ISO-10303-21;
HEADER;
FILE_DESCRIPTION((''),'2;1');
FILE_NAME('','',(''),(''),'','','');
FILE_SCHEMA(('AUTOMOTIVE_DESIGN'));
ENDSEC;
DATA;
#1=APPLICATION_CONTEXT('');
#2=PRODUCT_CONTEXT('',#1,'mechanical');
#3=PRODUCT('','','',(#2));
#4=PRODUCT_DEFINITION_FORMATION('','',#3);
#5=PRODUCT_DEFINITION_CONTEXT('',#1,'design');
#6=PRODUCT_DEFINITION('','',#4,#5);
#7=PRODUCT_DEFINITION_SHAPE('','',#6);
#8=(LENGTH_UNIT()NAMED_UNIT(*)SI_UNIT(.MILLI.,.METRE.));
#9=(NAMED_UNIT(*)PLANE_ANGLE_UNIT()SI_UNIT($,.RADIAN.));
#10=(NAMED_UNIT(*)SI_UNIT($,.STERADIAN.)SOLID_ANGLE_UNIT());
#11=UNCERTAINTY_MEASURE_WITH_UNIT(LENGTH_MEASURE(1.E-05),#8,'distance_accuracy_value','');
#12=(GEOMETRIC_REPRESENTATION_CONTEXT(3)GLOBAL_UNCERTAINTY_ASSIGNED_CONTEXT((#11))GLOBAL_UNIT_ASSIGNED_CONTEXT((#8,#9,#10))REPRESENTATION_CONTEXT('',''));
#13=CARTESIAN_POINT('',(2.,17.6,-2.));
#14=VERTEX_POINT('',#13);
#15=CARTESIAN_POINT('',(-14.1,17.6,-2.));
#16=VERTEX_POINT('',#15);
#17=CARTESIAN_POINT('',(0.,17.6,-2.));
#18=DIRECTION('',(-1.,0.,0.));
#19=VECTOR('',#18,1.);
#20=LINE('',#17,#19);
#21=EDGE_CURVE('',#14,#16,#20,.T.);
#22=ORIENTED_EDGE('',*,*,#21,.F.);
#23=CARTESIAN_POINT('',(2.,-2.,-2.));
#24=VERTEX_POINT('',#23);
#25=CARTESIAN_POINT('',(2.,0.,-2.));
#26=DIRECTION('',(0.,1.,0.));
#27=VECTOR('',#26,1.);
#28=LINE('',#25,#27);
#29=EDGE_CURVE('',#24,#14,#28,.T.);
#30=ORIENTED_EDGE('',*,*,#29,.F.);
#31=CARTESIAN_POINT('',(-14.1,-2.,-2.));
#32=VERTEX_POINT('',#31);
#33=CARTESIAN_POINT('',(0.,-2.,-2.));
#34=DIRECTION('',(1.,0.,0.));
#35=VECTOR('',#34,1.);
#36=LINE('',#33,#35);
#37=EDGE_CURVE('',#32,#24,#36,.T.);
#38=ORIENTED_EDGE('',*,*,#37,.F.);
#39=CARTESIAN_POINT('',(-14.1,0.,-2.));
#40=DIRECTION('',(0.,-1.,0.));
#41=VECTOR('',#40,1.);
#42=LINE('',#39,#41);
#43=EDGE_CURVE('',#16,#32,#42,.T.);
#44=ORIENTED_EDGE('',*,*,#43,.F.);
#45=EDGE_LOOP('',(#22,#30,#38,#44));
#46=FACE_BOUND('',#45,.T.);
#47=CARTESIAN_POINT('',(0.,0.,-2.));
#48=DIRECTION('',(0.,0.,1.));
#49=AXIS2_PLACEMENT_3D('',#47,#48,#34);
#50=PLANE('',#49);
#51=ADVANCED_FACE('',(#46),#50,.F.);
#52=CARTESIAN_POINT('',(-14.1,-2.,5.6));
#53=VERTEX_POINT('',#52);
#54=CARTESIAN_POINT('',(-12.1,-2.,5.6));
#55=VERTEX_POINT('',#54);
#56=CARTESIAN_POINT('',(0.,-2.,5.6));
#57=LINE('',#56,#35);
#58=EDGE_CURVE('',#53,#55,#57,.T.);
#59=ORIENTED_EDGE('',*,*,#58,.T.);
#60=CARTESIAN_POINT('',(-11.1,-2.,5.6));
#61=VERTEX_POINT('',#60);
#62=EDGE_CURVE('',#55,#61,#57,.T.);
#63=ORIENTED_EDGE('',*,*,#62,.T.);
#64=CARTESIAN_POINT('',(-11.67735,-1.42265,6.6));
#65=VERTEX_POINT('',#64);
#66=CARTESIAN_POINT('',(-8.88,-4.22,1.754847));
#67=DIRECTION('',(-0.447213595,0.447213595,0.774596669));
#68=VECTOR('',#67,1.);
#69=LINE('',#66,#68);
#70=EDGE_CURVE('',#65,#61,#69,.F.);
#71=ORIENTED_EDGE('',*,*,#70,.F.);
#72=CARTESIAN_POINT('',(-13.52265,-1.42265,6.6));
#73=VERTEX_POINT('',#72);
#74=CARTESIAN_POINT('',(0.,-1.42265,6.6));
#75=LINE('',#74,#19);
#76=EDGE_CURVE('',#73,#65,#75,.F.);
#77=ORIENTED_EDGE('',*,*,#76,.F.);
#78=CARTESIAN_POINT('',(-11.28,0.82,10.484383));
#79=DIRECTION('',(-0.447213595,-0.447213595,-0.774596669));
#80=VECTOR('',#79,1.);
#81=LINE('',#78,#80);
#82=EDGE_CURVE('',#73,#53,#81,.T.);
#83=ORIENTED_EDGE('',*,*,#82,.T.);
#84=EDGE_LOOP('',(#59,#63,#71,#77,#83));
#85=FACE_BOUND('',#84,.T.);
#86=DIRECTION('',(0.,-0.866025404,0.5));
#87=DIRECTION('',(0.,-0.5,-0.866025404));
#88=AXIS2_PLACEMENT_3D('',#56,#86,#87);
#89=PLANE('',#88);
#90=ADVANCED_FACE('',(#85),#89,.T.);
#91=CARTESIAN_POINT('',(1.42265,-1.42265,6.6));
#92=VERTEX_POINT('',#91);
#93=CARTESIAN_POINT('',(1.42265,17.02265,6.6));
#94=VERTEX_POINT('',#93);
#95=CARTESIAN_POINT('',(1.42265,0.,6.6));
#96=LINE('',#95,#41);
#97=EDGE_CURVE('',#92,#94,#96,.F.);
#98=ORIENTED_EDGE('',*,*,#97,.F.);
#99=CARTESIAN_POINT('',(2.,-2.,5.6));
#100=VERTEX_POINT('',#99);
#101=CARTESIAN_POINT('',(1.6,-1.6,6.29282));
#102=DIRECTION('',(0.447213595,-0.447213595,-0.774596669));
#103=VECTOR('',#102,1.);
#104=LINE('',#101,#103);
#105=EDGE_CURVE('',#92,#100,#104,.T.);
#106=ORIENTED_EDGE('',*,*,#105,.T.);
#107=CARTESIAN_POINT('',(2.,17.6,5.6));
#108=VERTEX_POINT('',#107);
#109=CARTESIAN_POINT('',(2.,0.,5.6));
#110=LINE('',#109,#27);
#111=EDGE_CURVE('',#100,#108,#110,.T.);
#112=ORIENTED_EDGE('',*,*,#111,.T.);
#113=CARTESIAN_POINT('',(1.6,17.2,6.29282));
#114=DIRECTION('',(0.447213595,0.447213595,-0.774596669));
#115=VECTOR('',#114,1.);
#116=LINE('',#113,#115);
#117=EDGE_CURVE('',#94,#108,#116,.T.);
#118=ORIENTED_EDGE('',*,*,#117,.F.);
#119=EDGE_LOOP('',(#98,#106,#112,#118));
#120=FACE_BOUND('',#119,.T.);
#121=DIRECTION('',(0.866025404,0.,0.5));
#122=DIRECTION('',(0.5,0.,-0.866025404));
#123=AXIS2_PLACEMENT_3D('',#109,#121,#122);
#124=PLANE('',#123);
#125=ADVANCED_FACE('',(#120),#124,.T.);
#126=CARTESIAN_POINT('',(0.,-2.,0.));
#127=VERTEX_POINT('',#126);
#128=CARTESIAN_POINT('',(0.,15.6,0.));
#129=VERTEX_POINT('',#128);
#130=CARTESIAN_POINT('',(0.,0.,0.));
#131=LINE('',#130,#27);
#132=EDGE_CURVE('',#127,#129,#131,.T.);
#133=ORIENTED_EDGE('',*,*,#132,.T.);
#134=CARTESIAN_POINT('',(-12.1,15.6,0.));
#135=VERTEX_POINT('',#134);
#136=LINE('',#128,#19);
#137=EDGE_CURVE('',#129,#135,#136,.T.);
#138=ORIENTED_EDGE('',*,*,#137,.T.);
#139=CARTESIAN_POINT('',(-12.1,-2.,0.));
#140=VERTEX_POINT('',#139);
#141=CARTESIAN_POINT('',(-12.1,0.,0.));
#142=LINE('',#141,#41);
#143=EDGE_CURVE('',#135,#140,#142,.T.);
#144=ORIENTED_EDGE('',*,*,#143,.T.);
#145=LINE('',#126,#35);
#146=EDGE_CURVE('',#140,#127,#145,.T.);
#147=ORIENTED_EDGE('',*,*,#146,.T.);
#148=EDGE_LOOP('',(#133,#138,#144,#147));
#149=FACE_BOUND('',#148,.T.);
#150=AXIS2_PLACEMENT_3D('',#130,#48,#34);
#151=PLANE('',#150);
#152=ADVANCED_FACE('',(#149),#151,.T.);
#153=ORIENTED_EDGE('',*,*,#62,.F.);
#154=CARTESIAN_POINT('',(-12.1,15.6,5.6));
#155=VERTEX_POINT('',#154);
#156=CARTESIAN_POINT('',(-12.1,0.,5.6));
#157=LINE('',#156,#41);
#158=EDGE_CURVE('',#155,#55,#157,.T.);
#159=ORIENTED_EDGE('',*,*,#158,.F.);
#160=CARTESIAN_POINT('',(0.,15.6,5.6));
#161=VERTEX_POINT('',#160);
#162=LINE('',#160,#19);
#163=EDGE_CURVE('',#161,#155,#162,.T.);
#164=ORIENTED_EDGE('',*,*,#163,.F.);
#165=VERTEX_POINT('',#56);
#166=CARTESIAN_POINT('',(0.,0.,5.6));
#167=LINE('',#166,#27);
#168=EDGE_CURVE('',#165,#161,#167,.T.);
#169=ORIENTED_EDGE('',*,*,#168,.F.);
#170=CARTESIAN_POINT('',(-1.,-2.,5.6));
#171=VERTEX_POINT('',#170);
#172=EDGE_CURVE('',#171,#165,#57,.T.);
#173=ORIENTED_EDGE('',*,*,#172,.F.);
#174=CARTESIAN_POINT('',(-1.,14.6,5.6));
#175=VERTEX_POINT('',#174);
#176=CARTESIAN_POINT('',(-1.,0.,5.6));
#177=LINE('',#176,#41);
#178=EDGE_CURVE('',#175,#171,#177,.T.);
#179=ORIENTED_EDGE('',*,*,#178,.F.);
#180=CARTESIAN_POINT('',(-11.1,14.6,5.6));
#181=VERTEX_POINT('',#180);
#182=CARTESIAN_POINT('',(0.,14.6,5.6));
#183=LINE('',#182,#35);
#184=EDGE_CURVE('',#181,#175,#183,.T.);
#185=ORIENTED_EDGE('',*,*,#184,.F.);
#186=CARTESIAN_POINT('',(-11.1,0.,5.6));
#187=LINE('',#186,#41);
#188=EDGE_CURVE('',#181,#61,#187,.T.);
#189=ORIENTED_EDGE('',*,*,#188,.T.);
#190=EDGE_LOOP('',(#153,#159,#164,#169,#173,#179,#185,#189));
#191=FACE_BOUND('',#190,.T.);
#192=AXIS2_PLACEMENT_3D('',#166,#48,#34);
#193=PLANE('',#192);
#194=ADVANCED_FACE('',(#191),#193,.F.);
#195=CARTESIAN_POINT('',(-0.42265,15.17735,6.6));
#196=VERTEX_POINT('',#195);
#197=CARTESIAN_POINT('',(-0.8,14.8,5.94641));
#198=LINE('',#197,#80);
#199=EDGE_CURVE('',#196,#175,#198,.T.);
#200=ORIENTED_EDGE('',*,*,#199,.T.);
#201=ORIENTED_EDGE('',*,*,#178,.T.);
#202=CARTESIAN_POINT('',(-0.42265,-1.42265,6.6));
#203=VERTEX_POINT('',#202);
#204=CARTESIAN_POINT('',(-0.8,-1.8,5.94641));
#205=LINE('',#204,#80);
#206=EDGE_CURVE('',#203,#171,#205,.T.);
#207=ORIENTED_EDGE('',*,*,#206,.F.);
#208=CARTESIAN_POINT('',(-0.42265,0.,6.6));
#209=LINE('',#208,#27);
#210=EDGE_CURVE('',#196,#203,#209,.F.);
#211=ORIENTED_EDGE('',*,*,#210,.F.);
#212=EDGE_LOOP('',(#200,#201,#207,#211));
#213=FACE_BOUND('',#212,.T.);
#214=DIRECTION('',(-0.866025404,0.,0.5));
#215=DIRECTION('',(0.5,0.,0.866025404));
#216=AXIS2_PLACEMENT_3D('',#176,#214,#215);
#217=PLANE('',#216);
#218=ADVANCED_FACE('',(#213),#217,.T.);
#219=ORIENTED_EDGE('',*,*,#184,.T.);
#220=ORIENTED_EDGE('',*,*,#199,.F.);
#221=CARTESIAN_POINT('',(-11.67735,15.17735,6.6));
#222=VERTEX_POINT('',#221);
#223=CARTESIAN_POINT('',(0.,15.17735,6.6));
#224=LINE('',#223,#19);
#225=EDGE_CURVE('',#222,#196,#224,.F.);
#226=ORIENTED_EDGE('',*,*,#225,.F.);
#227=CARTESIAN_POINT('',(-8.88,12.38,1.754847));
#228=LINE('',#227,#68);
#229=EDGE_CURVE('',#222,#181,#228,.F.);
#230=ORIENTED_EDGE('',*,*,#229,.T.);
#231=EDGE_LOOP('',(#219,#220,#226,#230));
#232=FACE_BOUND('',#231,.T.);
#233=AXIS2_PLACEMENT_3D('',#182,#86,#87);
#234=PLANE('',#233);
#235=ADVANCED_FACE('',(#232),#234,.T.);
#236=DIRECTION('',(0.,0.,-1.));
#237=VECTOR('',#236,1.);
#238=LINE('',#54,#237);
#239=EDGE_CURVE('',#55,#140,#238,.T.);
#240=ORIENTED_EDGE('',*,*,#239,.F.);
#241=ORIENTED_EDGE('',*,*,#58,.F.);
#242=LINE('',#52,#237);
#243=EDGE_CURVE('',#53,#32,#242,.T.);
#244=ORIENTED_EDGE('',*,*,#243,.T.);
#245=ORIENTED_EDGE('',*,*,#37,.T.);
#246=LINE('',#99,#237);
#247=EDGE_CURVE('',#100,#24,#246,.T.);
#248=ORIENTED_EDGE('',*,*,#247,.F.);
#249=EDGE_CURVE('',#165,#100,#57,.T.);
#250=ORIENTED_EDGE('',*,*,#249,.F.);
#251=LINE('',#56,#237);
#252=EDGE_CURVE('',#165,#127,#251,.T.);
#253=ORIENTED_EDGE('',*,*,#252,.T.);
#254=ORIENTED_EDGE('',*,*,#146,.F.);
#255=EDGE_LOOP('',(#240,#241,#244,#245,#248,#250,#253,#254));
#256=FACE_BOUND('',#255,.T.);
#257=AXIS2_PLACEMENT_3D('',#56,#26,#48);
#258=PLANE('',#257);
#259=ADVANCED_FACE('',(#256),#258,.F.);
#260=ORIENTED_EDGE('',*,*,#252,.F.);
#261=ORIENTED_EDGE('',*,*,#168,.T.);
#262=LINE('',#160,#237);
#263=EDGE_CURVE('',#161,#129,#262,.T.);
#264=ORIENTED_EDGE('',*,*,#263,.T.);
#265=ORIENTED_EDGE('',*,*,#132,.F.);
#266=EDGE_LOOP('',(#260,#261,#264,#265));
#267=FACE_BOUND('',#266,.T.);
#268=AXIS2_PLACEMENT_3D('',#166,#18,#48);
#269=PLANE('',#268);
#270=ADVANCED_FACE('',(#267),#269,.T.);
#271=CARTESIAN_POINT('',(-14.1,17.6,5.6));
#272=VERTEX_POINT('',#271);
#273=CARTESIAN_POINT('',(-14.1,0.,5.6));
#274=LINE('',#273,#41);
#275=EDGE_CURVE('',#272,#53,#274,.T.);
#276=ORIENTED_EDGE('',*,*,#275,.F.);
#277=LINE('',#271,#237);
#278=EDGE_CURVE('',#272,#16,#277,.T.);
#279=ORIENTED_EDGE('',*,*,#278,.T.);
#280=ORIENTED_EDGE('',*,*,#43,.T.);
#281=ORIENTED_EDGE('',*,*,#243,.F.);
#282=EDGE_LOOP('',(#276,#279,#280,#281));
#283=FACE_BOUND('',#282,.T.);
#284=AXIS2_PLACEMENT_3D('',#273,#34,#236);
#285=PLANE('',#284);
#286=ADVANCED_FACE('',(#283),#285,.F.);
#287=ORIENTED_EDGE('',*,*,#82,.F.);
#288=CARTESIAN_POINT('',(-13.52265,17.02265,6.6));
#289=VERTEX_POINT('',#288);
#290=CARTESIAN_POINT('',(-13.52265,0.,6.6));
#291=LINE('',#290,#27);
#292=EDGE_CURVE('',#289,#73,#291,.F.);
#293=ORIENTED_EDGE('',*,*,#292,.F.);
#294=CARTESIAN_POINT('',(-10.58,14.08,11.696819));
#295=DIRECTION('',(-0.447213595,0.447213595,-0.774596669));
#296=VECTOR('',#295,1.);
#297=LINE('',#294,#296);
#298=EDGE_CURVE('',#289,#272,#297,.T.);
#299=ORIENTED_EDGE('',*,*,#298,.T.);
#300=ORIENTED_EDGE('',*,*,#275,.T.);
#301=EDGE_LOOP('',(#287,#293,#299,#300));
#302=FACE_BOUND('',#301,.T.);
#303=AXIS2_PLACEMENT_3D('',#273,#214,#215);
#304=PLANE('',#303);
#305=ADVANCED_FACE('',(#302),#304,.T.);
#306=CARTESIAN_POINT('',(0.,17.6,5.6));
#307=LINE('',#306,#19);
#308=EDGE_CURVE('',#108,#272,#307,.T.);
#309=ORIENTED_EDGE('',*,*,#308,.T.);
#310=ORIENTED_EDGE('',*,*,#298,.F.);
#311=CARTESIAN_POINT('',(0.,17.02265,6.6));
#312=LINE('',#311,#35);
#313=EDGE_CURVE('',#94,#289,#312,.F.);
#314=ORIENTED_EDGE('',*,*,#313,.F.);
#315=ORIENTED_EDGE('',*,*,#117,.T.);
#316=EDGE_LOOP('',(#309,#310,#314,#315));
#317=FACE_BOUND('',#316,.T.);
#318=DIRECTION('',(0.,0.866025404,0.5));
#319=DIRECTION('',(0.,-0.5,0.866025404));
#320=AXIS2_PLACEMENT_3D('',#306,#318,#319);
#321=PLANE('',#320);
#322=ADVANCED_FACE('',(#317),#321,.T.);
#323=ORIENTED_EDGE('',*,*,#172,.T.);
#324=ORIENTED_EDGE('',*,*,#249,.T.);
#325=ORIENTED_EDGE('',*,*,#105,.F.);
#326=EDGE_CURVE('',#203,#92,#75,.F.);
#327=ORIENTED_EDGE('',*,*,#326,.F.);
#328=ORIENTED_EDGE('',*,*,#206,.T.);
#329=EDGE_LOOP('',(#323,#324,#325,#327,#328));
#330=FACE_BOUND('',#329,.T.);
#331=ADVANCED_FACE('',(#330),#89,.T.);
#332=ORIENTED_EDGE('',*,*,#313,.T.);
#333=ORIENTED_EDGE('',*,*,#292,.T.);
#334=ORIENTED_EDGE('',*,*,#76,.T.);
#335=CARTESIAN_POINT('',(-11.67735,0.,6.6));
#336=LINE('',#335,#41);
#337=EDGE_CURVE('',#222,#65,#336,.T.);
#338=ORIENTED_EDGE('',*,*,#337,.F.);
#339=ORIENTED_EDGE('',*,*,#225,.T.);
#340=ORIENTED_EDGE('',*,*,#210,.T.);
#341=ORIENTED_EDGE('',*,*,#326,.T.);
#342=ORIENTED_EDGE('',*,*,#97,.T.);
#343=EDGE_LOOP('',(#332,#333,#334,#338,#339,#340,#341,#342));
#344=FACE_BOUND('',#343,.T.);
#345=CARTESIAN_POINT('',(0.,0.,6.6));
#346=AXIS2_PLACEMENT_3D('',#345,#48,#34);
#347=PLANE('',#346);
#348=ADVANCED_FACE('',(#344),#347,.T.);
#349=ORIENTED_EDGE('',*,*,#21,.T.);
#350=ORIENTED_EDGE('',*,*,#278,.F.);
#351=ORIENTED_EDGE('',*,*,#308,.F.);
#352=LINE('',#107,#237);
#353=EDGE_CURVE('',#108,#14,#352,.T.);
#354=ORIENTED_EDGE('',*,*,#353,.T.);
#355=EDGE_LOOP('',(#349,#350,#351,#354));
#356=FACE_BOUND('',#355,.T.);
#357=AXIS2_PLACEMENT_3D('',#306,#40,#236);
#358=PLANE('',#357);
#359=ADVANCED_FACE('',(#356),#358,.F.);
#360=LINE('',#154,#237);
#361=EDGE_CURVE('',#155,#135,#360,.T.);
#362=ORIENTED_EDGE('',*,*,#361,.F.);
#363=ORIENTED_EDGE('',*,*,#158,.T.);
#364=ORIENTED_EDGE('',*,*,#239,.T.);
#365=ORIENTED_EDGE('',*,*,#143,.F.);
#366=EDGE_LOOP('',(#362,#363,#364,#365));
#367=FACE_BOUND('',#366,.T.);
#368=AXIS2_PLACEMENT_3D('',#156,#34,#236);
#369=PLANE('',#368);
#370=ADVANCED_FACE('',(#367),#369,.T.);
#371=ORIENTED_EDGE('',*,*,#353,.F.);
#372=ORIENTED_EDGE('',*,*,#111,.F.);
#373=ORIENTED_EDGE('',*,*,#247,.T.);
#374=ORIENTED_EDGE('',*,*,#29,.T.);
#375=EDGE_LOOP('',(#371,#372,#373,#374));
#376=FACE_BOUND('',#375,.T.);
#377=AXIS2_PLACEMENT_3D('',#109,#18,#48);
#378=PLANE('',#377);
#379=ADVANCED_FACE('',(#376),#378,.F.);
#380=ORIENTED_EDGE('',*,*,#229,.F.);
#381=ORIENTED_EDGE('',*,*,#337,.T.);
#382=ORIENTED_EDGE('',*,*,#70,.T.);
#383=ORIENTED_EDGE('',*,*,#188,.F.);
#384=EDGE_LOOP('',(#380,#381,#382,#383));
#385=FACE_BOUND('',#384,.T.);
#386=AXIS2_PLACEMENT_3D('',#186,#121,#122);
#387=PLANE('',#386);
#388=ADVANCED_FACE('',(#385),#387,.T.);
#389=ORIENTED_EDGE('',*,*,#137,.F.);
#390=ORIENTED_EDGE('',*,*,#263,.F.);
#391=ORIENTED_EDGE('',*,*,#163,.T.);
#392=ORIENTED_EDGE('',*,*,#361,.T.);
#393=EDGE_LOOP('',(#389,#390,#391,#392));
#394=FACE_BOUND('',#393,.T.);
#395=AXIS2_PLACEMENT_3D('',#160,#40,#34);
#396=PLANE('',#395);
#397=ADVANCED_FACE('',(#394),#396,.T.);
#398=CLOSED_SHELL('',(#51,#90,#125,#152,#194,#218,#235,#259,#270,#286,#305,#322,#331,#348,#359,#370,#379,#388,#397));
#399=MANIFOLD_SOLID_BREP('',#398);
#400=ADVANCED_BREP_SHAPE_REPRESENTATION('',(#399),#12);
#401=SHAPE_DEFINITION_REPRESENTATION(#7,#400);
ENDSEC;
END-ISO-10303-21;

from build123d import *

# Parameters (mm, degrees)
RESSALTO_EXTRUS_O1_DEPTH = 5.6
ESBO_O1_3_W              = 16.1
ESBO_O1_3_H              = 19.6
RESSALTO_EXTRUS_O2_DEPTH = 2
RESSALTO_EXTRUS_O3_DEPTH = 1
RESSALTO_EXTRUS_O3_DRAFT = 30


with BuildPart() as part:
    # Esboço1 → Ressalto-extrusão1 (new body)
    with BuildSketch(Plane.XY):
        Polygon((0, 0), (0, -2), (2, -2), (2, 17.6), (-14.1, 17.6), (-14.1, -2), (-12.1, -2), (-12.1, 0), (-12.1, 15.6), (0, 15.6), align=None)
    extrude(amount=RESSALTO_EXTRUS_O1_DEPTH)

    # Esboço1<3> → Ressalto-extrusão2 (add)
    with BuildSketch(Plane.XY):
        with Locations((-6.05, 7.8)):
            Rectangle(ESBO_O1_3_W, ESBO_O1_3_H)
    extrude(amount=-RESSALTO_EXTRUS_O2_DEPTH)


with BuildPart() as ressalto_extrus_o3_tool:
    # Esboço2 → Ressalto-extrusão3 (with draft: the straight prism first)
    with BuildSketch(Plane.XY.offset(5.6)):
        Polygon((-11.1, -2), (-11.1, 14.6), (-1, 14.6), (-1, -2), (2, -2), (2, 17.6), (-14.1, 17.6), (-14.1, -2), align=None)
    extrude(amount=RESSALTO_EXTRUS_O3_DEPTH)
    # Ressalto-extrusão3: the draft: its side faces are tilted about the plane it starts from
    ressalto_extrus_o3_sides = [ressalto_extrus_o3_tool.faces().sort_by_distance(p)[0] for p in [
        (-6.05, 17.6, 6.1),
        (-14.1, 7.8, 6.1),
        (-12.6, -2, 6.1),
        (-11.1, 6.3, 6.1),
        (-6.05, 14.6, 6.1),
        (-1, 6.3, 6.1),
        (0.5, -2, 6.1),
        (2, 7.8, 6.1),
    ]]
    draft(ressalto_extrus_o3_sides, Plane.XY.offset(5.6), RESSALTO_EXTRUS_O3_DRAFT)


with BuildPart() as part_1:
    add(part.part)

    # Ressalto-extrusão3: add ressalto_extrus_o3_tool
    add(ressalto_extrus_o3_tool.part)


solid = part_1.part
